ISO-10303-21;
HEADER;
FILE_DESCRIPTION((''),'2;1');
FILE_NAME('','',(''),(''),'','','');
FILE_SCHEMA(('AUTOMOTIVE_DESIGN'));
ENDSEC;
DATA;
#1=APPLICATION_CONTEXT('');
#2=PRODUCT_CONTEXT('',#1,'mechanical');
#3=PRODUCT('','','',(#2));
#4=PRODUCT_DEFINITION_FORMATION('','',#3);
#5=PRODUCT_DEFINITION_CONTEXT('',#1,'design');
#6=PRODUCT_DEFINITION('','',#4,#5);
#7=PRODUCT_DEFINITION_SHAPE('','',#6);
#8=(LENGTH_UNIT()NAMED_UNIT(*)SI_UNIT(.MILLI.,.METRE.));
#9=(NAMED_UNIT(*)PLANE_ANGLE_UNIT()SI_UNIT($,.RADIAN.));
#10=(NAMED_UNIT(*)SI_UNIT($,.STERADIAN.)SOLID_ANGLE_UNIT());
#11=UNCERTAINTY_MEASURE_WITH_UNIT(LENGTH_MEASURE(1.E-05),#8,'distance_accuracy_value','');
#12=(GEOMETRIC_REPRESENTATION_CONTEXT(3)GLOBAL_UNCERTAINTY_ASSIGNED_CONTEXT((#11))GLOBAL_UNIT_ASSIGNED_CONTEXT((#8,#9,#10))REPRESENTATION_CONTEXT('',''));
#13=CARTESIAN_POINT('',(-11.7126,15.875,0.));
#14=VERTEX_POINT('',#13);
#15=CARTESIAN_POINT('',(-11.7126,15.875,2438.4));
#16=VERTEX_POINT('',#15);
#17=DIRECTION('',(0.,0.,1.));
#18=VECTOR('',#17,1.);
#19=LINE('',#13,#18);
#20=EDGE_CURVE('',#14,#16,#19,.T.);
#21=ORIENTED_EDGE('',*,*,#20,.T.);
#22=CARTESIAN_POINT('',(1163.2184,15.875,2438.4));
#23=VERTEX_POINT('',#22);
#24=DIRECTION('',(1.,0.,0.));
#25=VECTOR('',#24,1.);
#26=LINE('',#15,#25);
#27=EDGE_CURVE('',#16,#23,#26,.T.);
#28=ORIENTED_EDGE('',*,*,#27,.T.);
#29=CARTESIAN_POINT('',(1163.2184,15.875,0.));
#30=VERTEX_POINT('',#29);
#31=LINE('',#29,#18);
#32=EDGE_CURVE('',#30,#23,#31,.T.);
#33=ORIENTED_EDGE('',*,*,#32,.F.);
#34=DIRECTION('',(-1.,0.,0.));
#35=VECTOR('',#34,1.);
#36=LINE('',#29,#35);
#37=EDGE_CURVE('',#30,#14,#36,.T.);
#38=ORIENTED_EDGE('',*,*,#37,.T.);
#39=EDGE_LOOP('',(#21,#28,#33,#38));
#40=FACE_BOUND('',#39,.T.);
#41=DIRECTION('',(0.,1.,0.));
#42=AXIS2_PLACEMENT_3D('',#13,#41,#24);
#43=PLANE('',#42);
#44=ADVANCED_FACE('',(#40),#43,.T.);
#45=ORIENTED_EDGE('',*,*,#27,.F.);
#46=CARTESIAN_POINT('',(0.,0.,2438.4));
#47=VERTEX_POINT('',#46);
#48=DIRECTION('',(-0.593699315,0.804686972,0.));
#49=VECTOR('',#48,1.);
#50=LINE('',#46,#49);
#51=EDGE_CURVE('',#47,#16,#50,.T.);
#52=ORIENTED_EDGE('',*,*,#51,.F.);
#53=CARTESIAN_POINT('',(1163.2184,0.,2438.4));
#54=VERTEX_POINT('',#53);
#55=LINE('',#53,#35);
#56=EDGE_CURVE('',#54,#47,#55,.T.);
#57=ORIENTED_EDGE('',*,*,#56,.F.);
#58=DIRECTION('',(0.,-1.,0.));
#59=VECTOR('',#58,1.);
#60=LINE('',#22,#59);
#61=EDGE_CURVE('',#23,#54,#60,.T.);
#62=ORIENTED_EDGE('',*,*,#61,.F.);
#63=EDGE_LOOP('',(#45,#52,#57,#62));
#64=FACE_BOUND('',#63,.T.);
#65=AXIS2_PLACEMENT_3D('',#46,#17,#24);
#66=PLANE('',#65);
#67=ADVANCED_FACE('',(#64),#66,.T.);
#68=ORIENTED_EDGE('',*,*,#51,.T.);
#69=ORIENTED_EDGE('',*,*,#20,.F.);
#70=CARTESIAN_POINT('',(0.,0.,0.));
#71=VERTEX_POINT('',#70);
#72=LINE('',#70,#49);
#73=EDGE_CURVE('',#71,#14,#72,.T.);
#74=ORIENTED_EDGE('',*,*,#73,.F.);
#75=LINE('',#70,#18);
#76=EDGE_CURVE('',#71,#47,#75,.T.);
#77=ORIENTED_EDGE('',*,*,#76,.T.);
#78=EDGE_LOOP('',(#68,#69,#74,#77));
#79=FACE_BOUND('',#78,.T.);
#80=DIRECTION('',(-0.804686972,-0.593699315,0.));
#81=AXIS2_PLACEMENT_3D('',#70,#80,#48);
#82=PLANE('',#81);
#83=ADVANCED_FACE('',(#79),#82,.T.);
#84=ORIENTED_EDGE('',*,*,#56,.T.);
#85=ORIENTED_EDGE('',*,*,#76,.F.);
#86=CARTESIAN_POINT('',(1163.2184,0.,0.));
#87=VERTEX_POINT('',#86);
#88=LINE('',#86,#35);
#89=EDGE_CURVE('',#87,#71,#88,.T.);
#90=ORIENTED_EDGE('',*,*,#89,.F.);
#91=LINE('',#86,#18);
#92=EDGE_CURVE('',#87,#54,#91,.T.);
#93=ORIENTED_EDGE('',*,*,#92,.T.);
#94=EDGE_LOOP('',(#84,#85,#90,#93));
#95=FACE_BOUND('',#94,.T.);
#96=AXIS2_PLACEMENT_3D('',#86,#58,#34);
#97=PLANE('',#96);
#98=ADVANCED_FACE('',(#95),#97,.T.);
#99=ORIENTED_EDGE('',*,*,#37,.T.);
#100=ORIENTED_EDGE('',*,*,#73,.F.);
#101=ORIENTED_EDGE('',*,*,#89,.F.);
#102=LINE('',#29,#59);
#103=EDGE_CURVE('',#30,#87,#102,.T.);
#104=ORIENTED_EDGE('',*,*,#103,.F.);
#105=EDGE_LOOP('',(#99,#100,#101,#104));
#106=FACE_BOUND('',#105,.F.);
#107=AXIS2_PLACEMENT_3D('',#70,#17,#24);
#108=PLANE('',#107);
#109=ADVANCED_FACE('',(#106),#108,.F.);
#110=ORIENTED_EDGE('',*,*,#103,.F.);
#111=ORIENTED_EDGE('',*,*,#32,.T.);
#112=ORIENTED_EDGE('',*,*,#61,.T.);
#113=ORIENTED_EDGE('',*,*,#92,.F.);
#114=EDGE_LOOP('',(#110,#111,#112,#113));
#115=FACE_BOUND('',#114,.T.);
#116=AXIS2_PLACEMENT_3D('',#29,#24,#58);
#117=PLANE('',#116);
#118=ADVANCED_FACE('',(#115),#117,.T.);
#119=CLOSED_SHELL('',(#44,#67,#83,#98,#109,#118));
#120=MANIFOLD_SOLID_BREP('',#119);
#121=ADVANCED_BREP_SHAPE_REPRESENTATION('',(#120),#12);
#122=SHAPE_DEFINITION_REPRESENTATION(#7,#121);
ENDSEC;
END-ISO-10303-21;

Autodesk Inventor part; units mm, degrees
ref_plane "YZ Plane" through (0, 0, 0) normal (1, 0, 0) x (0, 1, 0)
ref_plane "XZ Plane" through (0, 0, 0) normal (0, 1, 0) x (-1, 0, 0)
ref_plane "XY Plane" through (0, 0, 0) normal (0, 0, 1) x (1, 0, 0)
sketch "Sketch2" plane through (0, 0, 0) normal (0, 0, 1) x (1, 0, 0)
  line L0 (0, 0) -> (-5.2225, 15.875)
  line L1 (-5.2225, 15.875) -> (1163.2184, 15.875)
  line L2 (1163.2184, 15.875) -> (1163.2184, 0)
  line L3 (1163.2184, 0) -> (0, 0)
  line L4 (0, 0) -> (0, 15.875)
  line L5 (0, 0) -> (-11.7126, 15.875)
  line L6 (-11.7126, 15.875) -> (-5.2225, 15.875)
  dimension "d7" = 1163.2184
  dimension "d8" = 15.875
  dimension "d9" = 18.21
  dimension "d10" = 18.21
extrude "Extrusion2" add sketch "Sketch2" along normal blind 2438.4
properties part number "OSB_For_Roof_With_Dimensions_45.796_x_48" material "Wood (Birch)"
